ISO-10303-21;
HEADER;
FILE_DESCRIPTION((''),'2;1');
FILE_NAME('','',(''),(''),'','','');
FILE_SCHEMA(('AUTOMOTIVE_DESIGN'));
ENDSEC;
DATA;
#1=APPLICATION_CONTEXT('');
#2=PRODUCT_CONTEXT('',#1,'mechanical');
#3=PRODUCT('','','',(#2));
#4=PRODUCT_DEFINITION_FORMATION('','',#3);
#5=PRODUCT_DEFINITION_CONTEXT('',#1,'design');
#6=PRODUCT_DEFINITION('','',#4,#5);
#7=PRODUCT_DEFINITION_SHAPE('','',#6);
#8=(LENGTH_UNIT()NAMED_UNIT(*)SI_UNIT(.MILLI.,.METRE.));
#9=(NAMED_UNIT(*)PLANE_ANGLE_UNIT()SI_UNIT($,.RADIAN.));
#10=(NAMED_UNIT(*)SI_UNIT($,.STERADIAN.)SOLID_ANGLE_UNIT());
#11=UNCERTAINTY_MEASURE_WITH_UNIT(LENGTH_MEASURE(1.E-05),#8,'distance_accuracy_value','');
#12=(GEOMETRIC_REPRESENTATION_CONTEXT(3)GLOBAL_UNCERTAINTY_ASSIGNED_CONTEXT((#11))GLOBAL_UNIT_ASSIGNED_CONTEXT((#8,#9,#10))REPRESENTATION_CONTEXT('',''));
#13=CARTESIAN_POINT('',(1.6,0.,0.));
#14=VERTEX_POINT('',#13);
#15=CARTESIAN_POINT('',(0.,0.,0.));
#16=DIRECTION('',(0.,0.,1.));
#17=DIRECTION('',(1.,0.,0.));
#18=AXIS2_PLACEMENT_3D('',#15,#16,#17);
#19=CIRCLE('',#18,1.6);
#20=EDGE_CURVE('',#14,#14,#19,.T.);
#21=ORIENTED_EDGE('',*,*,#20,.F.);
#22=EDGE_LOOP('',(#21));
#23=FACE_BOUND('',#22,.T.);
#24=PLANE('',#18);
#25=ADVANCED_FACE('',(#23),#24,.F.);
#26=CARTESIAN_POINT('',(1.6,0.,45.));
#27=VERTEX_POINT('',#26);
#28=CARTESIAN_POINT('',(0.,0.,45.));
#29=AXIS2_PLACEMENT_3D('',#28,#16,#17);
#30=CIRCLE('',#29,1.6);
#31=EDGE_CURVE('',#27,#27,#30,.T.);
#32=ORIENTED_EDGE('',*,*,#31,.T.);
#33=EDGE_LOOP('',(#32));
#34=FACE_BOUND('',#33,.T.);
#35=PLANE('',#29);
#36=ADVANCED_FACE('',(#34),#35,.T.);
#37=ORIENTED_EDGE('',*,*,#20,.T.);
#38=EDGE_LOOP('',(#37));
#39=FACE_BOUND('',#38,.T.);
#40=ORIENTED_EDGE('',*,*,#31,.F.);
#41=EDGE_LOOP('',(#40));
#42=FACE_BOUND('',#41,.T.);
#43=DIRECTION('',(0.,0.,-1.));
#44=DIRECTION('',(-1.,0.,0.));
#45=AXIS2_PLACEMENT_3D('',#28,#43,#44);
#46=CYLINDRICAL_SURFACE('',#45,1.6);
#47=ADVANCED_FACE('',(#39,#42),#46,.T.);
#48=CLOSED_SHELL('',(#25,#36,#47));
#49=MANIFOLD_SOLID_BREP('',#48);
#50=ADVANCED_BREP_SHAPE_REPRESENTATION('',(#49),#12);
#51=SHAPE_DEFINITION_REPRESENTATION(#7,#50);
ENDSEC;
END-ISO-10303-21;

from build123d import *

# Parameters (mm, degrees)
SKETCH1_R           = 1.6
BOSS_EXTRUDE1_DEPTH = 45


with BuildPart() as part:
    # Sketch1 → Boss-Extrude1 (new body)
    with BuildSketch(Plane.XY):
        Circle(SKETCH1_R)
    extrude(amount=BOSS_EXTRUDE1_DEPTH)


solid = part.part
